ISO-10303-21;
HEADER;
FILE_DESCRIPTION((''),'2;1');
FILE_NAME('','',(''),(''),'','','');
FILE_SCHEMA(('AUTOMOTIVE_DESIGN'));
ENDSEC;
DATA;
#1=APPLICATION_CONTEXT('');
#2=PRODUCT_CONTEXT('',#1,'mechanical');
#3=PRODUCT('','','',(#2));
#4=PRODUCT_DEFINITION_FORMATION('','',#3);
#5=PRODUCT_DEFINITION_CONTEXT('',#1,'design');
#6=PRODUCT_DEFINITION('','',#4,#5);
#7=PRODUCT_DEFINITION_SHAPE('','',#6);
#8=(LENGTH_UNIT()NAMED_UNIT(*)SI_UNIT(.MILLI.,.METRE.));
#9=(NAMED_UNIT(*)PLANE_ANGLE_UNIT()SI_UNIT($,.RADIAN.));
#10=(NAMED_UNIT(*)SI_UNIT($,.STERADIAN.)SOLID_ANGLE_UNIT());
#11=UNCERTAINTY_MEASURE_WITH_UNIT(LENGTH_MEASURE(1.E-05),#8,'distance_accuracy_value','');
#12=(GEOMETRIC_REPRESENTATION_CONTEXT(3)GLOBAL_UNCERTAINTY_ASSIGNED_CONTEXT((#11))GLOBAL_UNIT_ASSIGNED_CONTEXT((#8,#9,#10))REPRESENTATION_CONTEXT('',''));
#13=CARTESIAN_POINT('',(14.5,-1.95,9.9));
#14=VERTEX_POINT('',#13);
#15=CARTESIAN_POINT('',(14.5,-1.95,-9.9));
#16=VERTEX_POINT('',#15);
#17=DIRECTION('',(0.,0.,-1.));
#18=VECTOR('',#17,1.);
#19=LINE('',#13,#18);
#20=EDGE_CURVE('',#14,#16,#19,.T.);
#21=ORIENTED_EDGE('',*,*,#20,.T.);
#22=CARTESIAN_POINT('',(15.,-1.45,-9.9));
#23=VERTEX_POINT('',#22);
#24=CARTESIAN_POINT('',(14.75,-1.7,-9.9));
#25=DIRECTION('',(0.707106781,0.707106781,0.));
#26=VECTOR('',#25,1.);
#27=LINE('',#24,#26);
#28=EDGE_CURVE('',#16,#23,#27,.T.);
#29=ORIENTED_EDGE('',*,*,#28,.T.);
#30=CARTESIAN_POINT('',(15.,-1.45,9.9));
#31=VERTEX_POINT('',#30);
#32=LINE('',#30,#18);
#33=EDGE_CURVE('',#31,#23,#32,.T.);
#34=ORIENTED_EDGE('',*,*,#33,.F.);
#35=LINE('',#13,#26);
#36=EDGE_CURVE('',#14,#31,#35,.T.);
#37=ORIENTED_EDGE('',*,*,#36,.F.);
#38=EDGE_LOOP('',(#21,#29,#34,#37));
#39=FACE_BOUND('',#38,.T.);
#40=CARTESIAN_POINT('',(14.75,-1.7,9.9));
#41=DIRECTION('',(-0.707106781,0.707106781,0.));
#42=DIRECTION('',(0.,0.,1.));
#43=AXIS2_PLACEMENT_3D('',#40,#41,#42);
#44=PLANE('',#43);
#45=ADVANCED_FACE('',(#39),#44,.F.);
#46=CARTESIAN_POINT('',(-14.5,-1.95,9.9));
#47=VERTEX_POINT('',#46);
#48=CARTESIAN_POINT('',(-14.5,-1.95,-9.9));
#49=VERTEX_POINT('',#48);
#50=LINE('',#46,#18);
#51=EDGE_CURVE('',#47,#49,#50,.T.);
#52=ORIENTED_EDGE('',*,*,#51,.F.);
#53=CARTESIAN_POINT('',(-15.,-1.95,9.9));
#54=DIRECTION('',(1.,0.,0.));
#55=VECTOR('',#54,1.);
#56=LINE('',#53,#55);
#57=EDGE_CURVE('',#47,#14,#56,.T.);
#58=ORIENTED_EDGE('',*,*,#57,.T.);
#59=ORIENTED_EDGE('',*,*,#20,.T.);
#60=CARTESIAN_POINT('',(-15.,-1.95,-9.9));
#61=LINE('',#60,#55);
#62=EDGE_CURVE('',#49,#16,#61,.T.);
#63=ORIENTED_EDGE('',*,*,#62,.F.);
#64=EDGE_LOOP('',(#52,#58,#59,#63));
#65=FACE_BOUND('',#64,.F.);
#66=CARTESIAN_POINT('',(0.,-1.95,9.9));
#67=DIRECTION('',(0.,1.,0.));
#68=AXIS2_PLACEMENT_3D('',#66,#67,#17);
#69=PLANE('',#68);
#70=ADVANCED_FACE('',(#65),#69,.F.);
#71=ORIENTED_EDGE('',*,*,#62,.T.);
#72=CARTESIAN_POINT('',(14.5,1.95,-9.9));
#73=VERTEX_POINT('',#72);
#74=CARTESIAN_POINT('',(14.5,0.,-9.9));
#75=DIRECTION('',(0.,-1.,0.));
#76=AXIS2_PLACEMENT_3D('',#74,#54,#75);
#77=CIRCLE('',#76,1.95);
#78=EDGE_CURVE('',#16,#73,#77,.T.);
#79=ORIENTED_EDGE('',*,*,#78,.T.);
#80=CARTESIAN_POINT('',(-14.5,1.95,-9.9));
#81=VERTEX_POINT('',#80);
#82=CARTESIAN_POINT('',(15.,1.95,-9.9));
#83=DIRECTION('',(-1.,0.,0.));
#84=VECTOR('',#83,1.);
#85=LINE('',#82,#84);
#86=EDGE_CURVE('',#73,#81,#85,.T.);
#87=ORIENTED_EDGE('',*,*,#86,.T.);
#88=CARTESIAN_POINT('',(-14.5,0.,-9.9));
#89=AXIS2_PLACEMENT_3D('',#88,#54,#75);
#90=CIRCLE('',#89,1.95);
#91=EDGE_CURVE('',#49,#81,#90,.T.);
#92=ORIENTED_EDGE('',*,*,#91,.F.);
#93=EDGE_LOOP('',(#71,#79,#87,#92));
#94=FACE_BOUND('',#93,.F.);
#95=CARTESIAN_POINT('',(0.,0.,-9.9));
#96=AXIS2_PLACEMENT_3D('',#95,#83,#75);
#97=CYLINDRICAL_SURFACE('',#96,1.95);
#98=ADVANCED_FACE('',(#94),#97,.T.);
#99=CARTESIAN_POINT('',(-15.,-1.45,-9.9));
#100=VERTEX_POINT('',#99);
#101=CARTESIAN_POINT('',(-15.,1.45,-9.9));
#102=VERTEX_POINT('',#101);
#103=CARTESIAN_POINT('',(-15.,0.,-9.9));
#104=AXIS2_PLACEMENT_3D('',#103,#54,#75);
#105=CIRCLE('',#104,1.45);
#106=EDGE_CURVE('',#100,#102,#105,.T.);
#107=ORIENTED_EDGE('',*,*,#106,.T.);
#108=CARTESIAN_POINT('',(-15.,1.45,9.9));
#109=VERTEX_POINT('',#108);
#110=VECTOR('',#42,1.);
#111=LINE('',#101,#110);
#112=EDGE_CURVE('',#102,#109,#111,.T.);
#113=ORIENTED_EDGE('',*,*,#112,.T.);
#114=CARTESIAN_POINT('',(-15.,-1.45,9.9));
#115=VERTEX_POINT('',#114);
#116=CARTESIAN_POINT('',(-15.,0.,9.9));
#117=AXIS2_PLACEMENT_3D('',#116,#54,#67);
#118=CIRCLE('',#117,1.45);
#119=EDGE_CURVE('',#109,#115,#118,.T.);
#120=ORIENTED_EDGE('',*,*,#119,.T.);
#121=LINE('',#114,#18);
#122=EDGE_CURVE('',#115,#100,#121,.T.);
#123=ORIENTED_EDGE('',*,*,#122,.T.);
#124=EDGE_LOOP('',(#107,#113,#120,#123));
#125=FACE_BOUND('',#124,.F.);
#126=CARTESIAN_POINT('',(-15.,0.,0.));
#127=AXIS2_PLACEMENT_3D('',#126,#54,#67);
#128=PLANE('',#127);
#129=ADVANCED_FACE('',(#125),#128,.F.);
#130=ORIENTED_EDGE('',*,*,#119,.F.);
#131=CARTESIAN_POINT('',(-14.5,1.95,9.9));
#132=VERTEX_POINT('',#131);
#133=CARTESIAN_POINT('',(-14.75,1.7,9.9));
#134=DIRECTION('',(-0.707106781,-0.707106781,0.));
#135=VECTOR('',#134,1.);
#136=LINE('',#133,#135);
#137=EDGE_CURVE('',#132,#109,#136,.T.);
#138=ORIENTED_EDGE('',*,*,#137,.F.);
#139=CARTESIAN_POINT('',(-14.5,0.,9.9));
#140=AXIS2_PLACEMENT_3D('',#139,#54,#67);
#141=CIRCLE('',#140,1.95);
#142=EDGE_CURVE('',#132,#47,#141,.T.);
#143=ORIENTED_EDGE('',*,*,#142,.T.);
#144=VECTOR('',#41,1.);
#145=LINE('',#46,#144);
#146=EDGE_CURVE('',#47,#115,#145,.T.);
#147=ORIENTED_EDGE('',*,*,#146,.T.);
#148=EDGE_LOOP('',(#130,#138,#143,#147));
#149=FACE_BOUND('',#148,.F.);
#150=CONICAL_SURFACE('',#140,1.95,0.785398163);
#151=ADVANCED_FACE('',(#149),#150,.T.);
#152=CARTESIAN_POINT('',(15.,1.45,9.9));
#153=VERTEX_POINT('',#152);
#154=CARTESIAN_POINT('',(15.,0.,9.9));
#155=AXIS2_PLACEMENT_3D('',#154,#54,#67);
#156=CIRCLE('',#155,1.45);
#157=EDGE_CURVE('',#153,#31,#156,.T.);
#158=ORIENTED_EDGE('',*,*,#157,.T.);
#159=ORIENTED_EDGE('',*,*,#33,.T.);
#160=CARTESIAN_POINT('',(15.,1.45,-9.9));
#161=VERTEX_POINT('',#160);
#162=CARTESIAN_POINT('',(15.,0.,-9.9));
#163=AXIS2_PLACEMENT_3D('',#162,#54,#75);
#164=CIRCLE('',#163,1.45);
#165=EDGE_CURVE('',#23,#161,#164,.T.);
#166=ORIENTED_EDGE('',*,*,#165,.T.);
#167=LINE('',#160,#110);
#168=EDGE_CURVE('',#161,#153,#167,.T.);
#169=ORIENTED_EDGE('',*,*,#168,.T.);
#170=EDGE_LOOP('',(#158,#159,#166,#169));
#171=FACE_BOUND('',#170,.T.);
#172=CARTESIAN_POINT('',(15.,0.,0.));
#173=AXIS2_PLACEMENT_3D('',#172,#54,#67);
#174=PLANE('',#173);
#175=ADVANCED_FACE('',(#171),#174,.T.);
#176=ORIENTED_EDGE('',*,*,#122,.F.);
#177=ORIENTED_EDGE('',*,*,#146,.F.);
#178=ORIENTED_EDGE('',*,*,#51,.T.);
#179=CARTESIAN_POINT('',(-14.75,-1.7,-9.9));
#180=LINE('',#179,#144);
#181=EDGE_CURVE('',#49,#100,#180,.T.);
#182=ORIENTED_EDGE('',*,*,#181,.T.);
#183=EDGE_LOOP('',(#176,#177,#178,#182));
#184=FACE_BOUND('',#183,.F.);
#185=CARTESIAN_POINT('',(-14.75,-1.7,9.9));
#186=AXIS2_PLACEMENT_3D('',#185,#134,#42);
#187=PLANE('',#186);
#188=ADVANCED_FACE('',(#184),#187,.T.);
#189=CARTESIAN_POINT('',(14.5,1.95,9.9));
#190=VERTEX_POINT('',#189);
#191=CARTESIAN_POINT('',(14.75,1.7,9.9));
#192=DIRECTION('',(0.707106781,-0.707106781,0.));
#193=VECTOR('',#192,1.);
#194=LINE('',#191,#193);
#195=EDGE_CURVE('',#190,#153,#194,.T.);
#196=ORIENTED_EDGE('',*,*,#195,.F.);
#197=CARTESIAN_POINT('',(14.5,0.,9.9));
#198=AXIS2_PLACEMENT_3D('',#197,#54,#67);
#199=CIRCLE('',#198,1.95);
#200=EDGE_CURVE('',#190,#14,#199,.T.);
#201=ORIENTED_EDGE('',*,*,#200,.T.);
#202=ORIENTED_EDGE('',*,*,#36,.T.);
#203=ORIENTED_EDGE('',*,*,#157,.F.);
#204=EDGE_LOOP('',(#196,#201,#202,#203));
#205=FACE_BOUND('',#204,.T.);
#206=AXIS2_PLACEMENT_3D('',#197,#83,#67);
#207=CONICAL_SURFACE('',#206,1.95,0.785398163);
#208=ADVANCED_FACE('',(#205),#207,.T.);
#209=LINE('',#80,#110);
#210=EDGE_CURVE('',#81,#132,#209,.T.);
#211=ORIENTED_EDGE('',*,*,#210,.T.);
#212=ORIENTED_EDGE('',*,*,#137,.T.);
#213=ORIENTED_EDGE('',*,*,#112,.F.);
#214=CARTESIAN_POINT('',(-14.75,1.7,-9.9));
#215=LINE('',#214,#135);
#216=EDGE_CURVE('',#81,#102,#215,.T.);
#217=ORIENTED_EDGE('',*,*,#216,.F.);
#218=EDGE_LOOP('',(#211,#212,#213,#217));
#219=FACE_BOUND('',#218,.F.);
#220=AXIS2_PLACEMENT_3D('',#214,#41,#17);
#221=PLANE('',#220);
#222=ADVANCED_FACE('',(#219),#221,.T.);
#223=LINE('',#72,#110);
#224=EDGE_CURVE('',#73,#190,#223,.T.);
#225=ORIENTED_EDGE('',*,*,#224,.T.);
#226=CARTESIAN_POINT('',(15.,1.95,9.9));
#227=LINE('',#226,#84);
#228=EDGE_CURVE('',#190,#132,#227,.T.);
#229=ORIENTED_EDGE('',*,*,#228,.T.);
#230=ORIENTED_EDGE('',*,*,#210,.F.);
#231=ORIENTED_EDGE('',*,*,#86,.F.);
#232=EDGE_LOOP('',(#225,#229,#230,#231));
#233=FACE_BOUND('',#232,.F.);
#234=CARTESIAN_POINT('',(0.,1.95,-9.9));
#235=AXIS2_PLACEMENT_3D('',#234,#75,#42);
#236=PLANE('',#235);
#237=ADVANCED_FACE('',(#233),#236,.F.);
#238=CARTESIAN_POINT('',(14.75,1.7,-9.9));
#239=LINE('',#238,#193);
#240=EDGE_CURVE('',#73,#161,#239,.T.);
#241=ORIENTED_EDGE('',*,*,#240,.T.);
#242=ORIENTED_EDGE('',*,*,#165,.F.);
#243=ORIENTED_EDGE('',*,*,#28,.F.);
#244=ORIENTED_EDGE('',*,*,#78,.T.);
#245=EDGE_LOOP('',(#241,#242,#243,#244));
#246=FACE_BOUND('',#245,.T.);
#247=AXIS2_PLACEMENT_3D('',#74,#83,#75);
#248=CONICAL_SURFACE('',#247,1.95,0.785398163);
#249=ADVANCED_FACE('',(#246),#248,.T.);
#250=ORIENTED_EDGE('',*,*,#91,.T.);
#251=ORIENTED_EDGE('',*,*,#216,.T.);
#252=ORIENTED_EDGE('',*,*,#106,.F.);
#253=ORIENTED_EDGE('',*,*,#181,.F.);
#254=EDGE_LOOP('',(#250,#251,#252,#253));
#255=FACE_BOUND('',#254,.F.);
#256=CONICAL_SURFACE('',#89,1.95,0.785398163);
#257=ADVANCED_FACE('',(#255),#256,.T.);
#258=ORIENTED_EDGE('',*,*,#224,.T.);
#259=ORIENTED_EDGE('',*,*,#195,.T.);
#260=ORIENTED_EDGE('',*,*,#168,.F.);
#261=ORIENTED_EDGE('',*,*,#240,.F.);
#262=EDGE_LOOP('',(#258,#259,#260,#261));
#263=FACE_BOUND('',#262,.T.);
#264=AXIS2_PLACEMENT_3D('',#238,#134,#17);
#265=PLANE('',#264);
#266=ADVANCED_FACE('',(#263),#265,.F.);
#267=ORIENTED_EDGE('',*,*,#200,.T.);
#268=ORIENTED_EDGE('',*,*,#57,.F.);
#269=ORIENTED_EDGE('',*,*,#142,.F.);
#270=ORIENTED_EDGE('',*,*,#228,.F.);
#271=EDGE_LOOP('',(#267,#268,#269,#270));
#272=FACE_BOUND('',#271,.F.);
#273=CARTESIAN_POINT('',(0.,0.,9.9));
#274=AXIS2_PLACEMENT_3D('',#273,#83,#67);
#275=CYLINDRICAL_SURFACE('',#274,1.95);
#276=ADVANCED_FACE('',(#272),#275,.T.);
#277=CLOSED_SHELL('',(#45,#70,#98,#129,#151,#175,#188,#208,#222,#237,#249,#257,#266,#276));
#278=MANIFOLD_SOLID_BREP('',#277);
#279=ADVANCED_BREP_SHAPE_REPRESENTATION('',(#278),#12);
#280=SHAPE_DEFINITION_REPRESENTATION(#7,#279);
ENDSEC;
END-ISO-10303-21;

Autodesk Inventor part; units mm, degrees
ref_plane "YZ Plane" through (0, 0, 0) normal (1, 0, 0) x (0, 1, 0)
ref_plane "XZ Plane" through (0, 0, 0) normal (0, 1, 0) x (-1, 0, 0)
ref_plane "XY Plane" through (0, 0, 0) normal (0, 0, 1) x (1, 0, 0)
sketch "Sketch1" plane through (0, 0, 0) normal (1, 0, 0) x (0, 1, 0)
  line L0 (0, 9.9) -> (0, -9.9) construction
  line L1 (-1.95, 9.9) -> (-1.95, -9.9)
  line L2 (1.95, -9.9) -> (1.95, 9.9)
  arc A0 (1.95, 9.9) -> (-1.95, 9.9) centre (0, 9.9) ccw
  arc A1 (-1.95, -9.9) -> (1.95, -9.9) centre (0, -9.9) ccw
  point P0 (0, 0)
  dimension "d0" = 9.9
  dimension "d1" = 3.9
extrude "Extrusion1" add sketch "Sketch1" along normal mid plane 30
chamfer "Chamfer1" distance 0.5 angle 45 8 edges at (-15, 1.95, 0) (-15, 0, -11.85) (-15, -1.95, 0) (-15, 0, 11.85) (15, 1.95, 0) (15, 0, 11.85) (15, -1.95, 0) (15, 0, -11.85)
properties part number "Domino2"
